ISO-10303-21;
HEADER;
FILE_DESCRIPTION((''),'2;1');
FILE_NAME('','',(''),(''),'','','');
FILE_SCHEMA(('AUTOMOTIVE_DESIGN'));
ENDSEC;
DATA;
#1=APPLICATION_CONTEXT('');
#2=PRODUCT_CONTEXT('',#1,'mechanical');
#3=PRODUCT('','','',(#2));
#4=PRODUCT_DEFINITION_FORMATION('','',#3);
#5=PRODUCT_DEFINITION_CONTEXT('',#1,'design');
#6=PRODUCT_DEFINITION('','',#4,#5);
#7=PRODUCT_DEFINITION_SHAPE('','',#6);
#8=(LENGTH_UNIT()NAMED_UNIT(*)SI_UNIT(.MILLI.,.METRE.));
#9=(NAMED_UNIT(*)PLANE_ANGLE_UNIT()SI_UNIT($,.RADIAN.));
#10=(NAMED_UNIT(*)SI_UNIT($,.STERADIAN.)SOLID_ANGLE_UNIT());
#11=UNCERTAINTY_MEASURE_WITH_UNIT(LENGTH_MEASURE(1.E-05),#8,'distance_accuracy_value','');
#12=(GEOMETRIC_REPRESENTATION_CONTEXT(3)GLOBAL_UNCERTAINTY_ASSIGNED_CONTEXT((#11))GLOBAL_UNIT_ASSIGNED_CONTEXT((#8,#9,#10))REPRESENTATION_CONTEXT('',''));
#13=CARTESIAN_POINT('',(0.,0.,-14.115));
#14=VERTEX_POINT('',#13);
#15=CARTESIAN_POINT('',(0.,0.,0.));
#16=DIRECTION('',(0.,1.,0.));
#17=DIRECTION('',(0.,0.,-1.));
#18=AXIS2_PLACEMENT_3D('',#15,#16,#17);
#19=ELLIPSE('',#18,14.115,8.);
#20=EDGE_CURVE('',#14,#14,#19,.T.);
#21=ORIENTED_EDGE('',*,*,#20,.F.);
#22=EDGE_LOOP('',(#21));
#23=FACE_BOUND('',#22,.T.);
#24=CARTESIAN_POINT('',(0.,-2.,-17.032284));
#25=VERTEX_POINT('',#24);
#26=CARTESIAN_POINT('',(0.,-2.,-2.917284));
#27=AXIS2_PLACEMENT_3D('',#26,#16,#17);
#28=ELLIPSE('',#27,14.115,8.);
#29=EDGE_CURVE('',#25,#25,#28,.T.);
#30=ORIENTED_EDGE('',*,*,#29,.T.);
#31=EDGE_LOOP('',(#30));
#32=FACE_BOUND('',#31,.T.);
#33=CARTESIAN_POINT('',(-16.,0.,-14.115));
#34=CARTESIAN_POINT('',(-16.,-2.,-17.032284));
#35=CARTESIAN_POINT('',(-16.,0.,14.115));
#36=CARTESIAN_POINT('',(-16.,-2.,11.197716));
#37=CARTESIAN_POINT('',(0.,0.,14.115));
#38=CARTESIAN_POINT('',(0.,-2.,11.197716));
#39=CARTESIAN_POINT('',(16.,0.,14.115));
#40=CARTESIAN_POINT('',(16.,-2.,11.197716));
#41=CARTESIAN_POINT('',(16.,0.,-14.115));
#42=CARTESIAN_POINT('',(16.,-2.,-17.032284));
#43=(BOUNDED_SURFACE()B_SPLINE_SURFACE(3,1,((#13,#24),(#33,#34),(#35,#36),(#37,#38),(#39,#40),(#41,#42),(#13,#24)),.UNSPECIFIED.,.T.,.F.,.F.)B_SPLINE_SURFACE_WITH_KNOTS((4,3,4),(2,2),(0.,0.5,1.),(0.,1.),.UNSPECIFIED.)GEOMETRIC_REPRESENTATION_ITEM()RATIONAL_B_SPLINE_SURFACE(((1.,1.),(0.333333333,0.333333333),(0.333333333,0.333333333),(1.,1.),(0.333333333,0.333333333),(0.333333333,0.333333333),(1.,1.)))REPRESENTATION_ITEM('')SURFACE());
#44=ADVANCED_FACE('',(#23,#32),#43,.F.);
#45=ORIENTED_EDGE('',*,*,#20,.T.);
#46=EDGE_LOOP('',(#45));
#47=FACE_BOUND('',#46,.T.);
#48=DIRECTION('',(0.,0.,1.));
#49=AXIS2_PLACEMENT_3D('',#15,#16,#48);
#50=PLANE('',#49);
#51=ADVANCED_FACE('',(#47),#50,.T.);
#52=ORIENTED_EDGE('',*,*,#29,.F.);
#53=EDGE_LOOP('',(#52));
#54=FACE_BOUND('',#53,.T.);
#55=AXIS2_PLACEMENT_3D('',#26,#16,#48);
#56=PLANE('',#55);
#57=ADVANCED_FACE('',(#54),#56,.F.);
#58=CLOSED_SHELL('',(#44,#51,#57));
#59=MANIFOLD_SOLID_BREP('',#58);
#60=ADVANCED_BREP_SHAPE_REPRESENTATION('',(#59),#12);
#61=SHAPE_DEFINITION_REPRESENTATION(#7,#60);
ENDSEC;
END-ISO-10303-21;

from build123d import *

# Parameters (mm, degrees)
SKETCH_1_RX = 14.115
SKETCH_1_RY = 8


with BuildPart() as part:
    # 扫描1: sweep along a path in 草图2
    with BuildLine(Plane(origin=(0, 0, 0), x_dir=(0, 0, -1), z_dir=(1, 0, 0))) as sweep_1_path:
        Line((-14.115, 0), (-11.19771593, -2))
    # 草图1 → 扫描1 (sweep)
    with BuildSketch(Plane(origin=(0, 0, 0), x_dir=(1, 0, 0), z_dir=(0, 1, 0))):
        with Locations(Location((0, 0), (0, 0, 90))):
            Ellipse(SKETCH_1_RX, SKETCH_1_RY)
    sweep(path=sweep_1_path.line)


solid = part.part
